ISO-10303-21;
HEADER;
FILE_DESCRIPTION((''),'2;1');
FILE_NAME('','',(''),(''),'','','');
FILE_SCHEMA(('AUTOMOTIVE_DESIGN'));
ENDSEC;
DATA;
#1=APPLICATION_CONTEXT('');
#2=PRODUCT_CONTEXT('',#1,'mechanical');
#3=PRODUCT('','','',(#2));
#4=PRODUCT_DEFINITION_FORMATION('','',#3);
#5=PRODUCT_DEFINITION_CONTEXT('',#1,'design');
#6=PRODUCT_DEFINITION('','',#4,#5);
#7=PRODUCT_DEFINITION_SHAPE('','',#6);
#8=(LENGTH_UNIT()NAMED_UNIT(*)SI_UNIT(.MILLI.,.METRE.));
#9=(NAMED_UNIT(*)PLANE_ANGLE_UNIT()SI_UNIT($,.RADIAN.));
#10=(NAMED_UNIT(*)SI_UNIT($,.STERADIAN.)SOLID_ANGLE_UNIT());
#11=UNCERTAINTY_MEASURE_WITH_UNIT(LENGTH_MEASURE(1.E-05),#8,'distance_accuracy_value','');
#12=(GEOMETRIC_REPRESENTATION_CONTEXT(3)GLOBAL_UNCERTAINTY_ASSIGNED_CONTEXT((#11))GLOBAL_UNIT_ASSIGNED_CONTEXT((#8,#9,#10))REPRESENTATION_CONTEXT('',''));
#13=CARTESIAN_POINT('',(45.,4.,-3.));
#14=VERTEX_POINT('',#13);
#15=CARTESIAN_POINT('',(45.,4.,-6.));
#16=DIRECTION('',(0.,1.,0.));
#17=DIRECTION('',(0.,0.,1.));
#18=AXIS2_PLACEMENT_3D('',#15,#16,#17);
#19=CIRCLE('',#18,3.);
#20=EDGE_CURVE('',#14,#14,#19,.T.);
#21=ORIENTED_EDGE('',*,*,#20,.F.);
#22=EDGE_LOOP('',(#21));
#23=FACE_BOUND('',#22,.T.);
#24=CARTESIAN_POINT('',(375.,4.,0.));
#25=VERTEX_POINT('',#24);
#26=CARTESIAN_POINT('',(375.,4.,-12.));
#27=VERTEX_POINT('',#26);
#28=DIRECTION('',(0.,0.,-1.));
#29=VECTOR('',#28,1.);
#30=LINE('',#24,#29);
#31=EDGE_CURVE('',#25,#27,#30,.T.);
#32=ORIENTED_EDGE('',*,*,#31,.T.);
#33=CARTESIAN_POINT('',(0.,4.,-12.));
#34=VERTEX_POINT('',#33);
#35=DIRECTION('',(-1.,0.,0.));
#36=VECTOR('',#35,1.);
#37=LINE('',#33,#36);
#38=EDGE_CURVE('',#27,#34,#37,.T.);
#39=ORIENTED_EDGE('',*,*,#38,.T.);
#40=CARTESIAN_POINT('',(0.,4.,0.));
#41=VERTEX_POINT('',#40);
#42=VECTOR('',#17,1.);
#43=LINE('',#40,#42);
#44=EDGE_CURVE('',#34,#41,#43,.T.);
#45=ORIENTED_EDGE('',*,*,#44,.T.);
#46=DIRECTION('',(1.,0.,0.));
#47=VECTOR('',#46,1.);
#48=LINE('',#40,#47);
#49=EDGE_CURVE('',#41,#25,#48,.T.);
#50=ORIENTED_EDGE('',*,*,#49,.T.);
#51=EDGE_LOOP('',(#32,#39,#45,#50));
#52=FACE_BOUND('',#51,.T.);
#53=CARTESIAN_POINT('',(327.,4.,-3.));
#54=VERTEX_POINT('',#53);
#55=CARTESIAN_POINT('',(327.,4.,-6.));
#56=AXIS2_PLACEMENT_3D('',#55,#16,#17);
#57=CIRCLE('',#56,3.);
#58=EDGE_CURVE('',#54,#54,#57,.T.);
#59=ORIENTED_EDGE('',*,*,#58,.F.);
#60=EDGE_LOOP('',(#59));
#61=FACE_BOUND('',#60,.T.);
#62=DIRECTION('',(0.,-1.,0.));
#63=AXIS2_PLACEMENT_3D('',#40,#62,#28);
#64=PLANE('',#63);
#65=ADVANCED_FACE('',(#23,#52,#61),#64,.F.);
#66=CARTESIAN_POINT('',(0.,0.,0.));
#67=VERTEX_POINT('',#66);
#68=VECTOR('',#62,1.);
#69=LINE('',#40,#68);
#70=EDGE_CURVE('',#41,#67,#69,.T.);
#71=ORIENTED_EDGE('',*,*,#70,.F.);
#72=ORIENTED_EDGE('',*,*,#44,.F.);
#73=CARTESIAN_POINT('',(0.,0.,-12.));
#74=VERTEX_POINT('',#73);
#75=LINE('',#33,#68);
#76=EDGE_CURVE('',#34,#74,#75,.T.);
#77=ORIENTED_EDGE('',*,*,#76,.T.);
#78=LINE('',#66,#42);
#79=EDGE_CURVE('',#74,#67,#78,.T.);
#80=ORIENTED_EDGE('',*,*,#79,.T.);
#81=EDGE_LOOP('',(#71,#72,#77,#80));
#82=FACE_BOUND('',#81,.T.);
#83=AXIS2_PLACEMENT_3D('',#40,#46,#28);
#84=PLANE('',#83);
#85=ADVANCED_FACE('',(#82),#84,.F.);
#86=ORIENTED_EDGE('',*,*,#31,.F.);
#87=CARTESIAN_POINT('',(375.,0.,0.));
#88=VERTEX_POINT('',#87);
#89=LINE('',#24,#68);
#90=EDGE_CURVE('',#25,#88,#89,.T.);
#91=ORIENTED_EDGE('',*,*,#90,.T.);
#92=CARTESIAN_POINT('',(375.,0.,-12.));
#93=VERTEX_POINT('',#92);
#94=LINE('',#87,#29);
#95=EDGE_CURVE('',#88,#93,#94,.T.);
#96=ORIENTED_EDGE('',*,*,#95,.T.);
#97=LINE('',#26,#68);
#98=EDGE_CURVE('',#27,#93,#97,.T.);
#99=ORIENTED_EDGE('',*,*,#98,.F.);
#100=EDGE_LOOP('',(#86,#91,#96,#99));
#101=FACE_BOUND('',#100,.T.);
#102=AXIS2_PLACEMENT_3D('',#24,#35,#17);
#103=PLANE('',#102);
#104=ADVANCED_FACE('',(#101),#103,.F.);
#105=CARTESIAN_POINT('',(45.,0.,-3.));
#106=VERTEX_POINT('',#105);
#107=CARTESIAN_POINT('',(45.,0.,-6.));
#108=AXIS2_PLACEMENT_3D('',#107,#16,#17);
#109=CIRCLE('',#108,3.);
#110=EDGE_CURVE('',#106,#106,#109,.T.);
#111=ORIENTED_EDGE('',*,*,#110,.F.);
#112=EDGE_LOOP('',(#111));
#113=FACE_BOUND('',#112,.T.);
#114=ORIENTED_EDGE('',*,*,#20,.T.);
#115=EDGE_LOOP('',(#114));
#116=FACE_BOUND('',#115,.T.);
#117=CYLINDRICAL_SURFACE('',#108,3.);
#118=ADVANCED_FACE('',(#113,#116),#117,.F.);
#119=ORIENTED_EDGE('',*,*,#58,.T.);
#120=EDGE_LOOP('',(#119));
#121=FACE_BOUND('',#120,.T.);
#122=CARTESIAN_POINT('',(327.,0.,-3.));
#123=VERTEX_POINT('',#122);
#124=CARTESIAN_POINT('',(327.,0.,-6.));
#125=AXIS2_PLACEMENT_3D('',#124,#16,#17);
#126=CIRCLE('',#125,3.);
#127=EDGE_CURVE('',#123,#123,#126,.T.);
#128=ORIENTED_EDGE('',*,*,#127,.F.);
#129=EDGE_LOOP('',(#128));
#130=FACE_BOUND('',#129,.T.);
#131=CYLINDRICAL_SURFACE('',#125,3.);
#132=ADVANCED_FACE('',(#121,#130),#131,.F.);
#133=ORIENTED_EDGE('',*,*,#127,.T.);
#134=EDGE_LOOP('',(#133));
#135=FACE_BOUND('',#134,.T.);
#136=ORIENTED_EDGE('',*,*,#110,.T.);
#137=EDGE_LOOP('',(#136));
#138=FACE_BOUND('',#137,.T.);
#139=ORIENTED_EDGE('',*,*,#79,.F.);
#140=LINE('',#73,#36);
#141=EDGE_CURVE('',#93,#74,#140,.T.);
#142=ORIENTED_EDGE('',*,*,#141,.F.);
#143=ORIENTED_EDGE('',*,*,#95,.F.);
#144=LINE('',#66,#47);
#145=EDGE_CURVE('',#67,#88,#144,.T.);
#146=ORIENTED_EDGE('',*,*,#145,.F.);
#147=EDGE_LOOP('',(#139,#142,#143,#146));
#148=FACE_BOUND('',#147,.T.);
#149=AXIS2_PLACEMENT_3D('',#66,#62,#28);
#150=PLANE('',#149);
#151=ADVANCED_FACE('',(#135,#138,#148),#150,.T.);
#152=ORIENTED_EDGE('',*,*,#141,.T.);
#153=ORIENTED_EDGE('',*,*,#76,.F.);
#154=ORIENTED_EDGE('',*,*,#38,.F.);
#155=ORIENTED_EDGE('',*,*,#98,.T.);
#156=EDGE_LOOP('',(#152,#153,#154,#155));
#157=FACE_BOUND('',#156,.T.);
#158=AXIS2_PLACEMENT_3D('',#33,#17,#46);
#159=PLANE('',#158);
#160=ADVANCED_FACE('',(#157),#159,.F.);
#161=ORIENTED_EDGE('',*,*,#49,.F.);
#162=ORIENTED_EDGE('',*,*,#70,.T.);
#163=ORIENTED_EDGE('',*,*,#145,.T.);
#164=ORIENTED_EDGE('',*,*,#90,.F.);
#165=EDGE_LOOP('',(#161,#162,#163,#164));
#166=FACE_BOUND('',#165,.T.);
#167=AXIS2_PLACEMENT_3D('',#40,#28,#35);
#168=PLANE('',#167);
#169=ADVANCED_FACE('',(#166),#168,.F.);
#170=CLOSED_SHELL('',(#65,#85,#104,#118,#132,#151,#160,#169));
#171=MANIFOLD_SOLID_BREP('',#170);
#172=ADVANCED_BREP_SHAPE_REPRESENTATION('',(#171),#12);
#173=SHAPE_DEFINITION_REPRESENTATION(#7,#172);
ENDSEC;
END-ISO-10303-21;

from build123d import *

# Parameters (mm, degrees)
SKETCH_1_W          = 375
SKETCH_1_H          = 12
EXTRUDE_1_DEPTH     = 4
SKETCH_2_R          = 3
CUT_EXTRUDE_1_DEPTH = 4


with BuildPart() as part:
    # Эскиз1 → Бобышка-Вытянуть1 (new body)
    with BuildSketch(Plane(origin=(0, 0, 0), x_dir=(1, 0, 0), z_dir=(0, 1, 0))):
        with Locations((187.5, 6)):
            Rectangle(SKETCH_1_W, SKETCH_1_H)
    extrude(amount=EXTRUDE_1_DEPTH)

    # Эскиз2 → Вырез-Вытянуть1 (cut)
    with BuildSketch(Plane(origin=(0, 4, 0), x_dir=(1, 0, 0), z_dir=(0, 1, 0))):
        with Locations(Location((45, 6, 0), (0, 0, 270))):
            Circle(SKETCH_2_R)
        with Locations(Location((327, 6, 0), (0, 0, 270))):
            Circle(SKETCH_2_R)
    extrude(amount=-CUT_EXTRUDE_1_DEPTH, mode=Mode.SUBTRACT)


solid = part.part
